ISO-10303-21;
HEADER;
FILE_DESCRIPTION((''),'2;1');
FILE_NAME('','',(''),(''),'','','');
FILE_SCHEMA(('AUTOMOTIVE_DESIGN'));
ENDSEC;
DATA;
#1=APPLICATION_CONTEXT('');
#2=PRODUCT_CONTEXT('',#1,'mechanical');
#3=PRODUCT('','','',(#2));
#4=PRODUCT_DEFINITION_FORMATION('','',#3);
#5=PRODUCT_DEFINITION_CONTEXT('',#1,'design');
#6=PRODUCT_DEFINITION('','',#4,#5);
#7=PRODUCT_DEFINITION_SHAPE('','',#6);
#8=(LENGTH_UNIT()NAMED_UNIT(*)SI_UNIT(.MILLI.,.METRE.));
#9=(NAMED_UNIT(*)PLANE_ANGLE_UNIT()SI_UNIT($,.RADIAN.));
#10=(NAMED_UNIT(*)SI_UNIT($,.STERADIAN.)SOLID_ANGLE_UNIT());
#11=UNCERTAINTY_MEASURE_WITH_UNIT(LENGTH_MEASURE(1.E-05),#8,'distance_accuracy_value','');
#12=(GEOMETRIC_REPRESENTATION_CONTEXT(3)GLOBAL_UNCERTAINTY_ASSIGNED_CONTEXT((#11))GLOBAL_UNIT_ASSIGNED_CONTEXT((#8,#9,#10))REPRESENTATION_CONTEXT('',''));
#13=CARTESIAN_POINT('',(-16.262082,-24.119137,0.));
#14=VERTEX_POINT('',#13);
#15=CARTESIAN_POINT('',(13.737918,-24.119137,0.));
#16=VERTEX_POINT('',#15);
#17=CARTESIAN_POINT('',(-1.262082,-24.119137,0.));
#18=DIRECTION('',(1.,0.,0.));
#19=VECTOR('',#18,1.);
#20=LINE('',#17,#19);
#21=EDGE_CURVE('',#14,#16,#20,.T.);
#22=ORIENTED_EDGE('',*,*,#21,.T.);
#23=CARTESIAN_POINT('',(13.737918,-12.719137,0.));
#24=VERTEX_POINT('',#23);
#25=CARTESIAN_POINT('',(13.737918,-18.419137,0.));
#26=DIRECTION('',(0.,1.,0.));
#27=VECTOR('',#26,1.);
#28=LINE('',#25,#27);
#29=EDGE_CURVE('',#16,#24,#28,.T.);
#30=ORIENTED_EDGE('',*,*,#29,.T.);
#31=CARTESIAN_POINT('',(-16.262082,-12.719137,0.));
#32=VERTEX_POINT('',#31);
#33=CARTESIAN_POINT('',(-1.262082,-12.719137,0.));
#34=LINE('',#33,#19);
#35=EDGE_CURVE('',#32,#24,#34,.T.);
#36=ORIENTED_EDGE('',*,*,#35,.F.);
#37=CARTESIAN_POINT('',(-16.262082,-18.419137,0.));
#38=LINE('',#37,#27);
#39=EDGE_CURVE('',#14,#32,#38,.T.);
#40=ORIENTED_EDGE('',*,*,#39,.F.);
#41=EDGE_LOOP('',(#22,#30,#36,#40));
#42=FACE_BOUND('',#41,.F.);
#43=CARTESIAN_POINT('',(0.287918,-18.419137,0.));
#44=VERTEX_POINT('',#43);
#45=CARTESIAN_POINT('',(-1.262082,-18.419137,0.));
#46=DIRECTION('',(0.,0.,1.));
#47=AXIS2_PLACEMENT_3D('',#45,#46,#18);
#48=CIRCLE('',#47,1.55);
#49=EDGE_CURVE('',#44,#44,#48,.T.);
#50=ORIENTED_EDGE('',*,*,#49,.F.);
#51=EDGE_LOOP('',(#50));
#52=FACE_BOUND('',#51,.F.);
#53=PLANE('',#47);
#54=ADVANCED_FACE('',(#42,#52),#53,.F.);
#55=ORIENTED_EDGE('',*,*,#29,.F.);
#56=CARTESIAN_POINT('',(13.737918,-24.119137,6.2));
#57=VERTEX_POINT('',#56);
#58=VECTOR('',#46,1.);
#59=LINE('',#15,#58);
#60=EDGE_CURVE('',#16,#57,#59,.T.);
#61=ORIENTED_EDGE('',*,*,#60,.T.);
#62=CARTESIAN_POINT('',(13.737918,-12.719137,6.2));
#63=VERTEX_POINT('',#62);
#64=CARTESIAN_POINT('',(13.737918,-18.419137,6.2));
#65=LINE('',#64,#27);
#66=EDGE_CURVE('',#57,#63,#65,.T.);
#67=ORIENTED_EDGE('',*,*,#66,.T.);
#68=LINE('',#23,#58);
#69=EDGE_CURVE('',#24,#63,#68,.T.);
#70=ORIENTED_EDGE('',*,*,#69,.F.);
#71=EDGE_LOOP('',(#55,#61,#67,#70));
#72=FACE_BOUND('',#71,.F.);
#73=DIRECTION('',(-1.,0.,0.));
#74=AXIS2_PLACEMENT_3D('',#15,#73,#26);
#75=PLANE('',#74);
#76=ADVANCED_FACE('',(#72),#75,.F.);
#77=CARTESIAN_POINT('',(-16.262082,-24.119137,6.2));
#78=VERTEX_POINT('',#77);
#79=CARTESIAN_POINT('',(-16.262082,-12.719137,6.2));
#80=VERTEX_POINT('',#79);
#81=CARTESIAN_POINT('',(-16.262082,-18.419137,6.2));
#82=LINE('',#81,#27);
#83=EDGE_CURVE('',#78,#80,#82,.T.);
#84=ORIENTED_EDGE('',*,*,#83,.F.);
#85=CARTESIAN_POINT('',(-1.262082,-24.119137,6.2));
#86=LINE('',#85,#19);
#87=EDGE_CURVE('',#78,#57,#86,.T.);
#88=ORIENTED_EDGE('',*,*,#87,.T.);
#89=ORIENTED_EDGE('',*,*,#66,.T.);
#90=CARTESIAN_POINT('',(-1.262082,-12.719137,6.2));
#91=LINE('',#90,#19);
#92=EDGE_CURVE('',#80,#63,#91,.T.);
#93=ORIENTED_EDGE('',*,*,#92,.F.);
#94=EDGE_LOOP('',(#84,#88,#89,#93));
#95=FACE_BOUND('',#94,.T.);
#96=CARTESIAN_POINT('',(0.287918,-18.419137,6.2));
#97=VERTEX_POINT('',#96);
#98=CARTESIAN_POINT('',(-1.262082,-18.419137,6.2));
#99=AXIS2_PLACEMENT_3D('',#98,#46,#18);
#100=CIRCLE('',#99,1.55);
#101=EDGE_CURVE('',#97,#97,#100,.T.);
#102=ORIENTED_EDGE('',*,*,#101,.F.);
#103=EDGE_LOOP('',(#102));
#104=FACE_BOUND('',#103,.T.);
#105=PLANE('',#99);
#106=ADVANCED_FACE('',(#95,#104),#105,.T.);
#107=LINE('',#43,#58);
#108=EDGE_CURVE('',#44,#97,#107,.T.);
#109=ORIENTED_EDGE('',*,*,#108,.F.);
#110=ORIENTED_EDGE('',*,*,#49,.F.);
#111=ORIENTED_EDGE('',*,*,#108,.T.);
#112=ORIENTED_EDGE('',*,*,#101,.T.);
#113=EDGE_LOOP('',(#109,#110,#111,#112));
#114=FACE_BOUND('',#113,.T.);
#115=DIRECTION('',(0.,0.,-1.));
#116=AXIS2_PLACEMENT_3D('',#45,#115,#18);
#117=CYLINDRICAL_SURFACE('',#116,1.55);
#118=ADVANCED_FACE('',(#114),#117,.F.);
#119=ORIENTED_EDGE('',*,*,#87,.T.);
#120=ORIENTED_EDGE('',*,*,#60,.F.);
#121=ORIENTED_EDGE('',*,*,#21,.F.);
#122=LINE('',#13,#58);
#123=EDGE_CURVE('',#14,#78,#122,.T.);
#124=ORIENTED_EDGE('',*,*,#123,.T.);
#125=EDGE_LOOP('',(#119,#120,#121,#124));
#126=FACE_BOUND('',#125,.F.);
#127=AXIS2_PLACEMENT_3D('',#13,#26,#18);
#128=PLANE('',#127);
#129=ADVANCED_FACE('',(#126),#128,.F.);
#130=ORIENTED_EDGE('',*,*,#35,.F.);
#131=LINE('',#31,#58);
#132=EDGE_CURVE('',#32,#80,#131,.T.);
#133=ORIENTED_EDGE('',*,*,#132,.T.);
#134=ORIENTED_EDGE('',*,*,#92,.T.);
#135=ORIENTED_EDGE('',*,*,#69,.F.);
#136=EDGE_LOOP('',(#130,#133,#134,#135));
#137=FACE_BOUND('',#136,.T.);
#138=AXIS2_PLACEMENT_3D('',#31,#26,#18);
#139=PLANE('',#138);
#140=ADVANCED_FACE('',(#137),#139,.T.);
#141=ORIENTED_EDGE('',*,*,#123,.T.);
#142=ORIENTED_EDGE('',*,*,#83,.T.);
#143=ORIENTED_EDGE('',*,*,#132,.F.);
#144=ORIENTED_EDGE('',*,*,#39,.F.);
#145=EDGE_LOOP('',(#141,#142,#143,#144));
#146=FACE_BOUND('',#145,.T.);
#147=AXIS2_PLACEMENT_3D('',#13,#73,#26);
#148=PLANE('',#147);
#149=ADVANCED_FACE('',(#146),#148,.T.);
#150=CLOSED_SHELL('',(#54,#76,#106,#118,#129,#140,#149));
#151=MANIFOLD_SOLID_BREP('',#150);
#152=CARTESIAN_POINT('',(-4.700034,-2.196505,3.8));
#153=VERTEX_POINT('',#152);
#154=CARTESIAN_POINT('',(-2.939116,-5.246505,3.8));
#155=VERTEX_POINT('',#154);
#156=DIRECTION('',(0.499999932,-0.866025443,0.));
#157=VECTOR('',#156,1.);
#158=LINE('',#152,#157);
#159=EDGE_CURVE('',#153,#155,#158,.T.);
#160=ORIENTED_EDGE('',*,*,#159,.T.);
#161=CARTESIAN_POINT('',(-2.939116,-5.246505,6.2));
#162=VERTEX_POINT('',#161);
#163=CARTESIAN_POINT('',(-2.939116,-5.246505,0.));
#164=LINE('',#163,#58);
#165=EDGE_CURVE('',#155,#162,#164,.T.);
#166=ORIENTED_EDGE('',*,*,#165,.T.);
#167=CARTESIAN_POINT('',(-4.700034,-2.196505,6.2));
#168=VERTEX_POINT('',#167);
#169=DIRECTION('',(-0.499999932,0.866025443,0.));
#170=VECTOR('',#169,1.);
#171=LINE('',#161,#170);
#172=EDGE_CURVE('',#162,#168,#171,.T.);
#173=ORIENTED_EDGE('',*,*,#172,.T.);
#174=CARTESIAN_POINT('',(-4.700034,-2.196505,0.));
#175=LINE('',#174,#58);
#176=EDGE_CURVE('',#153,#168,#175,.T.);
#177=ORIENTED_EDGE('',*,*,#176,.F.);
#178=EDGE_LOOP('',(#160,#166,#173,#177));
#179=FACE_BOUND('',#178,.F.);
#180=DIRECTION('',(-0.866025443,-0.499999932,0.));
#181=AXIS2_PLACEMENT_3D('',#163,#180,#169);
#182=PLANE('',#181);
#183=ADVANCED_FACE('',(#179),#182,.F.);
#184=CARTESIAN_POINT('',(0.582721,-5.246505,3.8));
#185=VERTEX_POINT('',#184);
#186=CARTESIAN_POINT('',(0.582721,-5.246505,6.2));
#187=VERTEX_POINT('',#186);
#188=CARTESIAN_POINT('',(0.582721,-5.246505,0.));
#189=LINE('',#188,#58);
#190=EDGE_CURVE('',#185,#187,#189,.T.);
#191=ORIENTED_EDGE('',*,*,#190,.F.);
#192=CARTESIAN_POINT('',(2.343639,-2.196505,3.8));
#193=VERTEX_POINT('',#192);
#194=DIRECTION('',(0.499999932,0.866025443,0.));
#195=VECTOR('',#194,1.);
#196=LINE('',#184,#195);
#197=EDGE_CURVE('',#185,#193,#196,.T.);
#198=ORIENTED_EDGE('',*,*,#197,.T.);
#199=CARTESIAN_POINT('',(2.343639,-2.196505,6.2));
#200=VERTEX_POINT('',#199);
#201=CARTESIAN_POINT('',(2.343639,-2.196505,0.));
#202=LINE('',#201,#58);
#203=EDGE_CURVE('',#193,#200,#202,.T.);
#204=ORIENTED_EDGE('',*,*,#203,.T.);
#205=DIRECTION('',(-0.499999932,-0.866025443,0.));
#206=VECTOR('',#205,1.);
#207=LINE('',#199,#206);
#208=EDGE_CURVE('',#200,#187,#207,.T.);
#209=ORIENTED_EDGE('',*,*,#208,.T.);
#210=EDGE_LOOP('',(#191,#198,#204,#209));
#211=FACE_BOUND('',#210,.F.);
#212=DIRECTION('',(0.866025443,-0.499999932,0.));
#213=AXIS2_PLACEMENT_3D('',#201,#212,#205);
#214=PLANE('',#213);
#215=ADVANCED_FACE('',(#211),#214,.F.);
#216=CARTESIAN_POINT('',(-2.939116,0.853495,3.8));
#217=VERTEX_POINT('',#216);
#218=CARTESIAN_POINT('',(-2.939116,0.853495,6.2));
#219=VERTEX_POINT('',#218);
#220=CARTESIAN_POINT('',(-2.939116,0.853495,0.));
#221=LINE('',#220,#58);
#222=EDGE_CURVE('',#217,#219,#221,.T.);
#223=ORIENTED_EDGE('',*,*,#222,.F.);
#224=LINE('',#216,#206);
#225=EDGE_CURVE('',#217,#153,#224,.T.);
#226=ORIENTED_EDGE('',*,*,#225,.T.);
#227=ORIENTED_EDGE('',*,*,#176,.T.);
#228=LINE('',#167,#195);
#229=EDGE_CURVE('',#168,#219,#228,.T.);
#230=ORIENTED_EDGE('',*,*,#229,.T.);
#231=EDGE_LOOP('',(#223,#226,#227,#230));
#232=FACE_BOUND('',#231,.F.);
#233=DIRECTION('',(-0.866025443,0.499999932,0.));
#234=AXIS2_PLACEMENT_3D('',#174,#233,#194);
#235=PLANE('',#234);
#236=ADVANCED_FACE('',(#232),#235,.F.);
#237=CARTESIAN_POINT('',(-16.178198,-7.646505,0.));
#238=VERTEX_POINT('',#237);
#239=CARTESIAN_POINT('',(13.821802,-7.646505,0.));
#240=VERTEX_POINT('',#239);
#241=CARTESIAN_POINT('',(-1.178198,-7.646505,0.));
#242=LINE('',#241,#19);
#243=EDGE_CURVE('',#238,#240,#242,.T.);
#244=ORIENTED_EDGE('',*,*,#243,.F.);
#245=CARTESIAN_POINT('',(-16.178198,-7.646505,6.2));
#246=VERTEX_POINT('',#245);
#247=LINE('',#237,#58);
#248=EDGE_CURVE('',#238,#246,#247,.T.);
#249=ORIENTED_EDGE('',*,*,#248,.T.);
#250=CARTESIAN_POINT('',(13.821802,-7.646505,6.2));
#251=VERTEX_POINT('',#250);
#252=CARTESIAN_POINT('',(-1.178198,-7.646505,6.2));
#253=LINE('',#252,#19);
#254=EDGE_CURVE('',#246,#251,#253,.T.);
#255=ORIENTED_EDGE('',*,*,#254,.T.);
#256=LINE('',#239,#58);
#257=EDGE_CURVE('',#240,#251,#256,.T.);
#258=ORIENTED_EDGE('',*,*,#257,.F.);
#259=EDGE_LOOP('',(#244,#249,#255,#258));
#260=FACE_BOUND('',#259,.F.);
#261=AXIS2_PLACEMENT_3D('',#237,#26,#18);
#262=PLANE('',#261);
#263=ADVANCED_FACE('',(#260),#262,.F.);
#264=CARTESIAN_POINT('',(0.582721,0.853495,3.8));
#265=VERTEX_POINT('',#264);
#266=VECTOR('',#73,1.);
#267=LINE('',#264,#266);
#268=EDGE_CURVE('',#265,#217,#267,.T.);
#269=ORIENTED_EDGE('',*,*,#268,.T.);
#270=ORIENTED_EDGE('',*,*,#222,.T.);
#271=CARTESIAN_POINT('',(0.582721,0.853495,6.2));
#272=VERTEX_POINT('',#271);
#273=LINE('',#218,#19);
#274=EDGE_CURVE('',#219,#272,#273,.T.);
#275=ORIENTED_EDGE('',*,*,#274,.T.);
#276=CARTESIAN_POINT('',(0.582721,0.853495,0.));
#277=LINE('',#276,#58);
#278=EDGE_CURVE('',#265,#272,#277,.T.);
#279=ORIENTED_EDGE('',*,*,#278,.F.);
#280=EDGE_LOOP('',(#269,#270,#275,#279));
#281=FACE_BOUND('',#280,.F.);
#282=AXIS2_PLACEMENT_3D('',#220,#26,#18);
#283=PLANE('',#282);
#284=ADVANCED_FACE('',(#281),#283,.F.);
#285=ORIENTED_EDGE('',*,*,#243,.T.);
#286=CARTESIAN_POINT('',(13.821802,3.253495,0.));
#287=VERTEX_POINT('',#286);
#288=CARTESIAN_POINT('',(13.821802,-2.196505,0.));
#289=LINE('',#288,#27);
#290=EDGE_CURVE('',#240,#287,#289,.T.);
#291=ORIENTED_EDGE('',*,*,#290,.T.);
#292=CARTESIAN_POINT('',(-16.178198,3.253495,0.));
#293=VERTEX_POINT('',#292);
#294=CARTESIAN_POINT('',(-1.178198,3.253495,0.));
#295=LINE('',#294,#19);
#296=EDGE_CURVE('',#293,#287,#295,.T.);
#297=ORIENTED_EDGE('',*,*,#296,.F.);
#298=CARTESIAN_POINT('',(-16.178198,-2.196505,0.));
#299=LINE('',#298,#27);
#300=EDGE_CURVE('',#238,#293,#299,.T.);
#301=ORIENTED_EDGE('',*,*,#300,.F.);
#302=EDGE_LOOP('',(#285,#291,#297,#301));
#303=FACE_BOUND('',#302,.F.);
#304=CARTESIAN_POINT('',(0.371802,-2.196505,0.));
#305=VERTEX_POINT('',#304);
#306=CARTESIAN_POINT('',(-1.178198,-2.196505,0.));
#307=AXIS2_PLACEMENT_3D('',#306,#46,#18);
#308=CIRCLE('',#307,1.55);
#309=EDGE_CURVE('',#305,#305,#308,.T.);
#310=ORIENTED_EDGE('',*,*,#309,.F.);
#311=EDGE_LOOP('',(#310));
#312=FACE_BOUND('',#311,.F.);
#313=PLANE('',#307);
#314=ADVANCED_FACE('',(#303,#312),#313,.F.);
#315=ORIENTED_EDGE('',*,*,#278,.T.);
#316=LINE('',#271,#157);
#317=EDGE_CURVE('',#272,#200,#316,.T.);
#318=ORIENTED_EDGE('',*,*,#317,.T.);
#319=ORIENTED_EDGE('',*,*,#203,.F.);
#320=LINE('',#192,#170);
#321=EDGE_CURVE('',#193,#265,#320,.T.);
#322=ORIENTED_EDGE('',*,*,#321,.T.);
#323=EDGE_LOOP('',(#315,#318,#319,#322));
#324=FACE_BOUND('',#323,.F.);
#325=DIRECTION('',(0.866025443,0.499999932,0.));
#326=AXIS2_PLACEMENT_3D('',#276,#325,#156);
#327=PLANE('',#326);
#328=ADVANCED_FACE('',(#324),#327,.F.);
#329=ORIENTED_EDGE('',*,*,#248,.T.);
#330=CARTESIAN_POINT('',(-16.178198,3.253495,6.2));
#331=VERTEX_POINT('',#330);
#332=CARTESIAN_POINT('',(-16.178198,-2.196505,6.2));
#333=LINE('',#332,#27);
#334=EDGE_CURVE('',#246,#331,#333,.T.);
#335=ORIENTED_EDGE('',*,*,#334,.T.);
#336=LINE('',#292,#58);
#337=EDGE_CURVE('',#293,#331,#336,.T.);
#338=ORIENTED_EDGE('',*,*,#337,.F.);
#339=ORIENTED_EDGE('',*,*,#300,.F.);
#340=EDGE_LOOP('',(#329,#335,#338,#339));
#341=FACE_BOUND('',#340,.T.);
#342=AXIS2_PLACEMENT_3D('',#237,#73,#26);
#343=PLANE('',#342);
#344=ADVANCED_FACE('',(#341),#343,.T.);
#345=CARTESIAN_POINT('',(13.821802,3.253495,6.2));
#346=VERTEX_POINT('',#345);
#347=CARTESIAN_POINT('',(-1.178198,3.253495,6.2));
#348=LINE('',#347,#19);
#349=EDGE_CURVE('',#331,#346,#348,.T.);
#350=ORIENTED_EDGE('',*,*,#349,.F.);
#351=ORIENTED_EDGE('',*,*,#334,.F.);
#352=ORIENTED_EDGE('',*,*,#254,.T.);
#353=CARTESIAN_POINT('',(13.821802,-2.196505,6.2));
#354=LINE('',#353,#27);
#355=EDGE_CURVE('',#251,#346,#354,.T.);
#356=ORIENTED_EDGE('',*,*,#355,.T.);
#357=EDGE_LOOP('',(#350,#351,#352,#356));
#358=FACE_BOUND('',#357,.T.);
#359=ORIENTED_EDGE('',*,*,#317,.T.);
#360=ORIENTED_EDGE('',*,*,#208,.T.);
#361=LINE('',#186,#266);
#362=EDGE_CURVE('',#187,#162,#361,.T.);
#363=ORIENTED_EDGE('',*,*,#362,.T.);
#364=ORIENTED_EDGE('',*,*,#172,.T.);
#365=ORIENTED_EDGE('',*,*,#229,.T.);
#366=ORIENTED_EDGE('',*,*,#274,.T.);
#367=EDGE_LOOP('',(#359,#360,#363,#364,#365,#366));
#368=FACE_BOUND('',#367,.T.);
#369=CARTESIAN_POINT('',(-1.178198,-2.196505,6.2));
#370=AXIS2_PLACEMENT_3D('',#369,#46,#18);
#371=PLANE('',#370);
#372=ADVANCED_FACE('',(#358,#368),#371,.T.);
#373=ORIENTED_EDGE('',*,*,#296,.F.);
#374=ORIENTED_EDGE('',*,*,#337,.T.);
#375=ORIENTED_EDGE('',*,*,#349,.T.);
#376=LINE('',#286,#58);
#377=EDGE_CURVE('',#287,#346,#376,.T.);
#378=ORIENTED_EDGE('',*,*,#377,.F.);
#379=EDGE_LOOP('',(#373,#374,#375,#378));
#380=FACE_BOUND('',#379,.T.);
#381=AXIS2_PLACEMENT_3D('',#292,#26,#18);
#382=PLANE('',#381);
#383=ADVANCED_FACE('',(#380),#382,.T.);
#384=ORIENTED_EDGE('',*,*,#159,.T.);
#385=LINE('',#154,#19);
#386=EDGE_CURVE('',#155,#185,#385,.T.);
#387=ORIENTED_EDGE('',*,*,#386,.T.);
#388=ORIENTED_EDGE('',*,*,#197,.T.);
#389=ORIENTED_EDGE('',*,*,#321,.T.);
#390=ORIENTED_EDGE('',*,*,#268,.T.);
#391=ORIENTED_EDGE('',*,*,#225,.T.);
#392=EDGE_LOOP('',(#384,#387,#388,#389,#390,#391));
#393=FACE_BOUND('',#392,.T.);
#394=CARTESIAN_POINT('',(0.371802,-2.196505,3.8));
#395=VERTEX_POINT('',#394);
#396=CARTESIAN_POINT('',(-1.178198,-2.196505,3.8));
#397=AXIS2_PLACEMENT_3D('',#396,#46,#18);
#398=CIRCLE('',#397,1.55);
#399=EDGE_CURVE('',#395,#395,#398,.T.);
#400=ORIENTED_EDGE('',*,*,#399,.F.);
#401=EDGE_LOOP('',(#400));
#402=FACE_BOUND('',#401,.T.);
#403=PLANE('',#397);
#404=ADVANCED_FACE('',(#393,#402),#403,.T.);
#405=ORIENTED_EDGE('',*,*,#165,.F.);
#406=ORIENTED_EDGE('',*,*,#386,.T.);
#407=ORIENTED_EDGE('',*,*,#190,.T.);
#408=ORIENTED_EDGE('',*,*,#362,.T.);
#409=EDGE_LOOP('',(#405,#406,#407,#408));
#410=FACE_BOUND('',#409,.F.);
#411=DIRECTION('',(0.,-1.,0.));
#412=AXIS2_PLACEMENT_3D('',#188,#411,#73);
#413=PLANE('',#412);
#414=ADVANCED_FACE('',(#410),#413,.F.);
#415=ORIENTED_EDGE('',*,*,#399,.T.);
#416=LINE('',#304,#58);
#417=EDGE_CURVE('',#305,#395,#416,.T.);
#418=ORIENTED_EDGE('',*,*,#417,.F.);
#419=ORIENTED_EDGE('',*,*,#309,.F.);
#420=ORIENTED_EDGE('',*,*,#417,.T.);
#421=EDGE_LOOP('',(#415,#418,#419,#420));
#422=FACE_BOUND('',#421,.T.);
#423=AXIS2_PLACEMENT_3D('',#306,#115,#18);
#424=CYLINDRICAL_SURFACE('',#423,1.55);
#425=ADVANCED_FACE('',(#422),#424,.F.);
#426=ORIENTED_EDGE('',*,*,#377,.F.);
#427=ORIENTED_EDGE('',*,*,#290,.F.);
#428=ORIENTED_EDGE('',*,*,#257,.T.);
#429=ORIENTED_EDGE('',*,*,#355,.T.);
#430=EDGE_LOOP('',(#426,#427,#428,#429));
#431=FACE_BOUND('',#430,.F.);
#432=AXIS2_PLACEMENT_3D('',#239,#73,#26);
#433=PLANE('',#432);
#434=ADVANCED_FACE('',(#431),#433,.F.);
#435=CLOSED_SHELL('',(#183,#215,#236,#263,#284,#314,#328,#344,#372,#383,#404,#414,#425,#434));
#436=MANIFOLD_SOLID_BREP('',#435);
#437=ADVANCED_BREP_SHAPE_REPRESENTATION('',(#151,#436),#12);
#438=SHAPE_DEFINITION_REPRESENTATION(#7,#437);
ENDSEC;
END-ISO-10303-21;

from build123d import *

# Parameters (mm, degrees)
F0_W     = 30
F0_H     = 10.9
F0_H_2   = 11.4
F0_R     = 1.55
F1_DEPTH = 6.2
F2_DEPTH = 3.8


with BuildPart() as f1:
    # F0 (on Top) → F1 (new body)
    with BuildSketch(Plane.XY):
        with Locations((-1.178198, -2.196505)):
            Rectangle(F0_W, F0_H)
        Polygon((2.343639, -2.196505), (0.582721, -5.246505), (-2.939116, -5.246505), (-4.700034, -2.196505), (-2.939116, 0.853495), (0.582721, 0.853495), align=None, mode=Mode.SUBTRACT)
        with Locations((-1.262082, -18.419137)):
            Rectangle(F0_W, F0_H_2)
        with Locations((-1.262082, -18.419137)):
            Circle(F0_R, mode=Mode.SUBTRACT)
    extrude(amount=F1_DEPTH)

    # F0 (on Top) → F2 (join)
    with BuildSketch(Plane.XY):
        Polygon((-2.939116, -5.246505), (0.582721, -5.246505), (2.343639, -2.196505), (0.582721, 0.853495), (-2.939116, 0.853495), (-4.700034, -2.196505), align=None)
        with Locations((-1.178198, -2.196505)):
            Circle(F0_R, mode=Mode.SUBTRACT)
    extrude(amount=F2_DEPTH)


solid = f1.part
